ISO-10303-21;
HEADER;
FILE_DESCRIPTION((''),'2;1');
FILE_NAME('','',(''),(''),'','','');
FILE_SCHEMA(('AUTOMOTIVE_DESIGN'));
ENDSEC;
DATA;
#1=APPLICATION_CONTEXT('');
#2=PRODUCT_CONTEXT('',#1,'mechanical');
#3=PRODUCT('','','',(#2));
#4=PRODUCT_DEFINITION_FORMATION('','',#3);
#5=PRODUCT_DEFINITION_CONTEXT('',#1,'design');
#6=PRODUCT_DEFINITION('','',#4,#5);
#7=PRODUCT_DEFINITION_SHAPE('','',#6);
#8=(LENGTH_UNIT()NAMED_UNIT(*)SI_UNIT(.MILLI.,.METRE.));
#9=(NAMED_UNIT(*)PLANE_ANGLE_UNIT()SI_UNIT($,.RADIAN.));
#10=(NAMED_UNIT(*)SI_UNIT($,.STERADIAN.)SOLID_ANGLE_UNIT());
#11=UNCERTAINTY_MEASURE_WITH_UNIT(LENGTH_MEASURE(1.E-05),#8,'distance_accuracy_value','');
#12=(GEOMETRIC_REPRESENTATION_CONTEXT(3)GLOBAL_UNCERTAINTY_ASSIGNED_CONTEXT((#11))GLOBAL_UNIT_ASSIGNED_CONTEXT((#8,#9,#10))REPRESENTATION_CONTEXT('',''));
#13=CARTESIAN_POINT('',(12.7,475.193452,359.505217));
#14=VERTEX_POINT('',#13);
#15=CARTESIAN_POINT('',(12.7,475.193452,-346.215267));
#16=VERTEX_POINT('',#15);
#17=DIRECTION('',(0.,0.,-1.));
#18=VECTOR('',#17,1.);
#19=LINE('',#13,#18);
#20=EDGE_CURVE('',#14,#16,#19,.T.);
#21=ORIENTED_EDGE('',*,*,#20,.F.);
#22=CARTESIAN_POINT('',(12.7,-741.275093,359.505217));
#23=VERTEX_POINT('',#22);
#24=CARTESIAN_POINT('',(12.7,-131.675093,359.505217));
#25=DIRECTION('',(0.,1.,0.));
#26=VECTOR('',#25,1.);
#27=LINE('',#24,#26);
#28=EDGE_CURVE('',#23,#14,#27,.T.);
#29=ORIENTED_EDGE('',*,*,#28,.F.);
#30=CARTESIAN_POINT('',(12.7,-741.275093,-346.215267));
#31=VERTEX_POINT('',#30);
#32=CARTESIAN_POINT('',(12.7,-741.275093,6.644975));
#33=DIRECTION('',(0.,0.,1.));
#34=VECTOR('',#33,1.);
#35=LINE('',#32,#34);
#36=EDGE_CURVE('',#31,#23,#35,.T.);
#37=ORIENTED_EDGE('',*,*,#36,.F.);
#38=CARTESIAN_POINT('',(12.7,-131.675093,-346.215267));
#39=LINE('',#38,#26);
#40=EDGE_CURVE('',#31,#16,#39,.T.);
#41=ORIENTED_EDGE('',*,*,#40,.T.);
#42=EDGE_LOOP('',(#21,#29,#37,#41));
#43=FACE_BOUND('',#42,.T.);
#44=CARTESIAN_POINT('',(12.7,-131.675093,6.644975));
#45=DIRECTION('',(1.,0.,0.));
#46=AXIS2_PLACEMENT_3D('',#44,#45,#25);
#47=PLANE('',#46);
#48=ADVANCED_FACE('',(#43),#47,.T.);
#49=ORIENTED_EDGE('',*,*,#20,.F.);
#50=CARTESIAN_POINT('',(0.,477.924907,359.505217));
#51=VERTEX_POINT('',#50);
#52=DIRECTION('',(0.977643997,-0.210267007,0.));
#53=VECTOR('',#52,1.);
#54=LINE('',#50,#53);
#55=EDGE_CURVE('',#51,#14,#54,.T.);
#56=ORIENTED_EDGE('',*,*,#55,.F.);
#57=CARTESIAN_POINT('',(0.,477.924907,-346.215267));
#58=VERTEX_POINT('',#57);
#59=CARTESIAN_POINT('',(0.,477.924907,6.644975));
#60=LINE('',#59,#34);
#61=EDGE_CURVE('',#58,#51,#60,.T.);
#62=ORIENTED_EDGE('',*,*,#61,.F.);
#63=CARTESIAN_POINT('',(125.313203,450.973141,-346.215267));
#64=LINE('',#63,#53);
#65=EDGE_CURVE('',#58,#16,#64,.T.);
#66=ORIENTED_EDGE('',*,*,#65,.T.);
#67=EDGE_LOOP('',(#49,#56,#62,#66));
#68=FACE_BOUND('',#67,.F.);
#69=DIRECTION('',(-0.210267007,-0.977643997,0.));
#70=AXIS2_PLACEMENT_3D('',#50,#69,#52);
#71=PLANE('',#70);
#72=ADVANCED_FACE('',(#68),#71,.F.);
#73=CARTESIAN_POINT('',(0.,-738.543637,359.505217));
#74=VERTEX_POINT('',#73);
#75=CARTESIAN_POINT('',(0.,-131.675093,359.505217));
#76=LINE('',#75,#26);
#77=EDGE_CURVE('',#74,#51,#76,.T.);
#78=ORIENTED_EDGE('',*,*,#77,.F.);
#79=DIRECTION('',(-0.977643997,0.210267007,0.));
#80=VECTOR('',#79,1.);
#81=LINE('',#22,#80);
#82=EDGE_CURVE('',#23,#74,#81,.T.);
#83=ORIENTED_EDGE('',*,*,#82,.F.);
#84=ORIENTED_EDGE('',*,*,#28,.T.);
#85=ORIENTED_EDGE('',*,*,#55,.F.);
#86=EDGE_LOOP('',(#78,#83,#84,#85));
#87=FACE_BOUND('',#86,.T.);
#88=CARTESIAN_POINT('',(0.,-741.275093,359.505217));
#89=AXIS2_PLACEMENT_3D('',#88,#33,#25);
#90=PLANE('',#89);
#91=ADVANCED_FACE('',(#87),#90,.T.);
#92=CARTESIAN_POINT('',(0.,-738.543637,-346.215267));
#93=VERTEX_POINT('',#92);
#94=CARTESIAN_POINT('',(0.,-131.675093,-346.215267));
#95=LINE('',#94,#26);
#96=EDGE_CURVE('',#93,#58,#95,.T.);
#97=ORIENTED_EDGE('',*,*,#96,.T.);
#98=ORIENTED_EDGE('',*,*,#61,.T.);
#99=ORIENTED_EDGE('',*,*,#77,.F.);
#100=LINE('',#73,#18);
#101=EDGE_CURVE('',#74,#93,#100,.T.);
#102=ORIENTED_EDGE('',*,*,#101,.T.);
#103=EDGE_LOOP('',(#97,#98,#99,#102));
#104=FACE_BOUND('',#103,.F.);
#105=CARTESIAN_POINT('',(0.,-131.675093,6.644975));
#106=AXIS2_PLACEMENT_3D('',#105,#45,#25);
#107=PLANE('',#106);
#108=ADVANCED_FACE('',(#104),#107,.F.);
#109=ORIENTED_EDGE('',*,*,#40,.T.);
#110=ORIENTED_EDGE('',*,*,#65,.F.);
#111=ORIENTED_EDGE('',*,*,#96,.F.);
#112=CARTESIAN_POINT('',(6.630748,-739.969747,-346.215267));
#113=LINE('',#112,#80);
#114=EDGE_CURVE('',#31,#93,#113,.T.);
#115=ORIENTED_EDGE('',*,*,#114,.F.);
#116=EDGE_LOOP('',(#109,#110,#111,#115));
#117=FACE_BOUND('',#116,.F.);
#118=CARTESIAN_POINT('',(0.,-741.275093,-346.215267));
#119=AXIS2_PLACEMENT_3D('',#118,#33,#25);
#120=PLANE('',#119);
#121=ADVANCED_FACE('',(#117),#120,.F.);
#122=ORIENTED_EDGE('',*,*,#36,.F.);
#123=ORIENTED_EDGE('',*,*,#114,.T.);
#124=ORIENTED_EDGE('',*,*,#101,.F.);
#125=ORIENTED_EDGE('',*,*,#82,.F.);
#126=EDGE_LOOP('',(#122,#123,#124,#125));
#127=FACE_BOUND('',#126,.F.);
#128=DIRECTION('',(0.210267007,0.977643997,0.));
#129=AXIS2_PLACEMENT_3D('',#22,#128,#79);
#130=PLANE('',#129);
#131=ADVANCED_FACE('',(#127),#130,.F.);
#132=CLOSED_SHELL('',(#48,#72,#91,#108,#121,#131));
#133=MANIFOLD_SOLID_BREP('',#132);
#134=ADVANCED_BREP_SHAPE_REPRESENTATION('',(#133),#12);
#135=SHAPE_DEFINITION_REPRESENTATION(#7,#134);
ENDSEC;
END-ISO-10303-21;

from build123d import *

# Parameters (mm, degrees)
F0_W     = 1219.2
F0_H     = 705.7204834
F1_DEPTH = 12.7
F3_DEPTH = 705.7214834


with BuildPart() as f1:
    # F0 (on Right) → F1 (new body)
    with BuildSketch(Plane.YZ):
        with Locations((-131.67509275, 6.6449750074)):
            Rectangle(F0_W, F0_H)
    extrude(amount=F1_DEPTH)

    # F2 (on face) → F3 (cut, through all)
    with BuildSketch(Plane.XY.offset(359.5052167074)):
        Polygon((12.7, 477.92490725), (0, 477.92490725), (12.7, 475.1934518348), align=None)
        Polygon((12.7, -741.27509275), (0, -738.5436373349), (0, -741.27509275), align=None)
    extrude(amount=-F3_DEPTH, mode=Mode.SUBTRACT)


solid = f1.part
